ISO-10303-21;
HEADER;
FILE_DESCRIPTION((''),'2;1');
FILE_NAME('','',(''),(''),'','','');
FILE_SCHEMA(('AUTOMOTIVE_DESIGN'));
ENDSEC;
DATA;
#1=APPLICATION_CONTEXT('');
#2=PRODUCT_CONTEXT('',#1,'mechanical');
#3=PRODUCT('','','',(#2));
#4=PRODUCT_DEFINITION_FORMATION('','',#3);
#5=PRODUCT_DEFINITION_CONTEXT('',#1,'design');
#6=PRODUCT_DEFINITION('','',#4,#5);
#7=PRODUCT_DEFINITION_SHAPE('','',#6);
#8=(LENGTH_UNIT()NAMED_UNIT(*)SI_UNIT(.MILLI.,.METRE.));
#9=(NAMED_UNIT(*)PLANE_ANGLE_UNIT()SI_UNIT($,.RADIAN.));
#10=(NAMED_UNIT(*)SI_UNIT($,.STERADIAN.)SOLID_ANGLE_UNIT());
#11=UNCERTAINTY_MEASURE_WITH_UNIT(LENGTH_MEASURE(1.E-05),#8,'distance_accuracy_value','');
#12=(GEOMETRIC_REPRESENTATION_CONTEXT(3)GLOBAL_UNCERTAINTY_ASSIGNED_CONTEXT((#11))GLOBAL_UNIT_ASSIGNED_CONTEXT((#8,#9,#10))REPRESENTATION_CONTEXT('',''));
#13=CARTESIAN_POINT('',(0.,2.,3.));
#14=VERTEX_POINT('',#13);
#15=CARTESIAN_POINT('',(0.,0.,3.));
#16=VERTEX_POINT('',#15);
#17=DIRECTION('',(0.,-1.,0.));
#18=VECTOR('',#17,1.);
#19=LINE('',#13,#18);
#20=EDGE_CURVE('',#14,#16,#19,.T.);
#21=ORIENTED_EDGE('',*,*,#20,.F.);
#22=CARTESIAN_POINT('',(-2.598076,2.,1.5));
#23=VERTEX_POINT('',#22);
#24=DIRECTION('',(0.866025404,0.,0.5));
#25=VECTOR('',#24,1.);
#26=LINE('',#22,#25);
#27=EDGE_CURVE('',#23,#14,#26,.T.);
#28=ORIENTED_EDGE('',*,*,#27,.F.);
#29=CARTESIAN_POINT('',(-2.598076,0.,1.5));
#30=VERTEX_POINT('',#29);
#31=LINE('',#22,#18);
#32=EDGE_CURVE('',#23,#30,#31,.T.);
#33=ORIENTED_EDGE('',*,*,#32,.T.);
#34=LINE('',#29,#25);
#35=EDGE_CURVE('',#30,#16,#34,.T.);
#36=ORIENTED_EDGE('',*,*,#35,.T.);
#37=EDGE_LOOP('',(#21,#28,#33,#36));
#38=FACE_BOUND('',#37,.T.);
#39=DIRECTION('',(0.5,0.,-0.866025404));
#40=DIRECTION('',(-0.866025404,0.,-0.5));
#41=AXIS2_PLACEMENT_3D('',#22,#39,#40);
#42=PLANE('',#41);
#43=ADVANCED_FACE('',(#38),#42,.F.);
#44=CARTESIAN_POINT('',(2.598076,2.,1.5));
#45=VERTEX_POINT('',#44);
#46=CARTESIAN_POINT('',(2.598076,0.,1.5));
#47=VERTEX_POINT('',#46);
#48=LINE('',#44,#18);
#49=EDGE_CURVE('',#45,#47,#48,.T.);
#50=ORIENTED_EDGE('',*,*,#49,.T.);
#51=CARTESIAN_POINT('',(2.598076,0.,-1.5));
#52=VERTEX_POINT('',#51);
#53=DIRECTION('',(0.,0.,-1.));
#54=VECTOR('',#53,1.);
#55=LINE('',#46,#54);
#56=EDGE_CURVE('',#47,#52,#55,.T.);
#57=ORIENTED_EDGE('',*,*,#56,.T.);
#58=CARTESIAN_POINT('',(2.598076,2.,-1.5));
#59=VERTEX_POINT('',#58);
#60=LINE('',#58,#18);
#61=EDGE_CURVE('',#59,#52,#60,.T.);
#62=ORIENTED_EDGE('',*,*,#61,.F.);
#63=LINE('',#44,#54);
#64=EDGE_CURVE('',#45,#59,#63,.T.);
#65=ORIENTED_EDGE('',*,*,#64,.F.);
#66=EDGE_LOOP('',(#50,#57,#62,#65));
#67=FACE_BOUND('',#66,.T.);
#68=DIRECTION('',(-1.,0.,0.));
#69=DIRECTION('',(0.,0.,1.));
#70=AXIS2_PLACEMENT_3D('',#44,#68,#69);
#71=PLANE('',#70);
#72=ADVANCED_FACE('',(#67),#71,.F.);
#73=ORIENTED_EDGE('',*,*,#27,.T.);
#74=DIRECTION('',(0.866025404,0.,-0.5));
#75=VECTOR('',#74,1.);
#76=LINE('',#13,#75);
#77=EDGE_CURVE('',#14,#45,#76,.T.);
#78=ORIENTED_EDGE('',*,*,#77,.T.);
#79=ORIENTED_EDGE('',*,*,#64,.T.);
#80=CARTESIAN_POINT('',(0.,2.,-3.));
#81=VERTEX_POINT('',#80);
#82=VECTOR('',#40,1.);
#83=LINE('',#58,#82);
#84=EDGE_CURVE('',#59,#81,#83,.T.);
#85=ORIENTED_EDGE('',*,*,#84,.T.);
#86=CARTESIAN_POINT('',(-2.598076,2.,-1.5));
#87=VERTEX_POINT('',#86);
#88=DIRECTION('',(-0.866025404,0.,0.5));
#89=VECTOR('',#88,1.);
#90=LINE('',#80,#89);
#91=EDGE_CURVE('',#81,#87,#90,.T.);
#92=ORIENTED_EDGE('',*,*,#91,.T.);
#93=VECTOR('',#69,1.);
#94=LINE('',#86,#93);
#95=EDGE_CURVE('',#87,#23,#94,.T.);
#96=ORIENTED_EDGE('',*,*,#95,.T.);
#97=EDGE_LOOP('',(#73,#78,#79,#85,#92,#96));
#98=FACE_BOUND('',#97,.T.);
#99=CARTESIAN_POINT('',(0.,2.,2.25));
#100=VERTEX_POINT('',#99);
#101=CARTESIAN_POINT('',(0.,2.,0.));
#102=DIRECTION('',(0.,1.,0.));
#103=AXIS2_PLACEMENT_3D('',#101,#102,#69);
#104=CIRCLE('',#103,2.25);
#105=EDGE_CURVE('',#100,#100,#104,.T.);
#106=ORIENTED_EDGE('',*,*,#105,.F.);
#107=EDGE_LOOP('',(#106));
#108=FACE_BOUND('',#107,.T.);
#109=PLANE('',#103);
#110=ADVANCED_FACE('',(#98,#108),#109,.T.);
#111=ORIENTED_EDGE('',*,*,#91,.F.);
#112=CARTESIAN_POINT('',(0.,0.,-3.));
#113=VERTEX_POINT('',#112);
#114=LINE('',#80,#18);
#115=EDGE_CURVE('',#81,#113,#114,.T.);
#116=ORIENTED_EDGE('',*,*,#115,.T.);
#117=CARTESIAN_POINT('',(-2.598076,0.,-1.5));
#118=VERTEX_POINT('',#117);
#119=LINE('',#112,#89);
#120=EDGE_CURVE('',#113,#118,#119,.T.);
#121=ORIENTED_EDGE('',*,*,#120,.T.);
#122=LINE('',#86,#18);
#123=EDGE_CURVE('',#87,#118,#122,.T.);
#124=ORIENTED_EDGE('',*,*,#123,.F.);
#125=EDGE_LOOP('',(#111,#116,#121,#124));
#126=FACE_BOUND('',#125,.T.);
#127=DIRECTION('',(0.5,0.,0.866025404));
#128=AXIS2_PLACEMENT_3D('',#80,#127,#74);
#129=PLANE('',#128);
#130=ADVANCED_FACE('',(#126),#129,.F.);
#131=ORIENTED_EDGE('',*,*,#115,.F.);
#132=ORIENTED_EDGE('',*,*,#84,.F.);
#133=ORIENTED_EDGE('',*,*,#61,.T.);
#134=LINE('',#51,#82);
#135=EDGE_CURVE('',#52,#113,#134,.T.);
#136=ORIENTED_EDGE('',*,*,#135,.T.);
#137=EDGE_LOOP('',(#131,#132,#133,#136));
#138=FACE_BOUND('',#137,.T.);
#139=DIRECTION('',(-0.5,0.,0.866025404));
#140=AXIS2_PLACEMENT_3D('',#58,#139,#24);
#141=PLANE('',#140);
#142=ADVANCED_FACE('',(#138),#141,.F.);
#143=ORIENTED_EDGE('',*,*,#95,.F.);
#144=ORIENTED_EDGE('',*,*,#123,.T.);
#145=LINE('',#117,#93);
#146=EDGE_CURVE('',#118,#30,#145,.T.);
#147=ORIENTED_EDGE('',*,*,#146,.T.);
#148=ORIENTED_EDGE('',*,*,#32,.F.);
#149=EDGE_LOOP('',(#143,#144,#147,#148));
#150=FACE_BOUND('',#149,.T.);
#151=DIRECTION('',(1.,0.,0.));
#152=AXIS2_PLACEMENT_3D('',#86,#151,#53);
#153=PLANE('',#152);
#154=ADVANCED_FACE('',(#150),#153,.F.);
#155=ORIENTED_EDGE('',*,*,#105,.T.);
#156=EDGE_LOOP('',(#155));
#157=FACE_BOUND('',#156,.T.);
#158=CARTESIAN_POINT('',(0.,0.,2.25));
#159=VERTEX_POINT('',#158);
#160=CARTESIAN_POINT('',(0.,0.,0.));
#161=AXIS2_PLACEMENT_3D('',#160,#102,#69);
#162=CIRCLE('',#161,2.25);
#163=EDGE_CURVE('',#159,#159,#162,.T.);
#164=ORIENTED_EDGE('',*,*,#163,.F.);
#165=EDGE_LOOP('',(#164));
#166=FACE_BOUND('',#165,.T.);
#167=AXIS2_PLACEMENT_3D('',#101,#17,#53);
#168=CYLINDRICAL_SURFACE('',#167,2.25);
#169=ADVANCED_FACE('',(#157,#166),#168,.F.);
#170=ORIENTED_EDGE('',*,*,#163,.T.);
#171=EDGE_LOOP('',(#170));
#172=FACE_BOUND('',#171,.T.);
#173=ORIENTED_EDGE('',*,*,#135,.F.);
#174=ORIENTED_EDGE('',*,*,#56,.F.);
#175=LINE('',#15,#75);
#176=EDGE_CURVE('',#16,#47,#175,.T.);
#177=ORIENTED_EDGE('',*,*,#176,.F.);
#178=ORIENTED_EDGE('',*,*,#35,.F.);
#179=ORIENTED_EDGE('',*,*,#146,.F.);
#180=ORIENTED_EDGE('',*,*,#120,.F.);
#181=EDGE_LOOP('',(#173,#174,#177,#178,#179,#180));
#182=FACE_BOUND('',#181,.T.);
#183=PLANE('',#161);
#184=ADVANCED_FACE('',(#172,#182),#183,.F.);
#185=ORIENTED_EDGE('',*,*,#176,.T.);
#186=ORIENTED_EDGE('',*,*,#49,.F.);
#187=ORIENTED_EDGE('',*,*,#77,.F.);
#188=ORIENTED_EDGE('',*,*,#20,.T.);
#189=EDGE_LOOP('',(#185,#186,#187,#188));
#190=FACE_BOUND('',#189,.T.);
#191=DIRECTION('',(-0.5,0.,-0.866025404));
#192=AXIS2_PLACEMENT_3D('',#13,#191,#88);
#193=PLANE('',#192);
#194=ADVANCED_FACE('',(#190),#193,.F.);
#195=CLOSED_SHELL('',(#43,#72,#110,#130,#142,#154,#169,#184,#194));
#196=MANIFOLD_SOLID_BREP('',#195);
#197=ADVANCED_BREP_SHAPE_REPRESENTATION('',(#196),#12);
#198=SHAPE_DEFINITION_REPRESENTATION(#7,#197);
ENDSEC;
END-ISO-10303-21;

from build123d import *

# Parameters (mm, degrees)
SKETCH1_R           = 2.25
BOSS_EXTRUDE1_DEPTH = 2


with BuildPart() as part:
    # Sketch1 → Boss-Extrude1 (new body)
    with BuildSketch(Plane(origin=(0, 0, 0), x_dir=(1, 0, 0), z_dir=(0, 1, 0))):
        Polygon((0, 3), (-2.598076211, 1.5), (-2.598076211, -1.5), (0, -3), (2.598076211, -1.5), (2.598076211, 1.5), align=None)
        Circle(SKETCH1_R, mode=Mode.SUBTRACT)
    extrude(amount=BOSS_EXTRUDE1_DEPTH)


solid = part.part
